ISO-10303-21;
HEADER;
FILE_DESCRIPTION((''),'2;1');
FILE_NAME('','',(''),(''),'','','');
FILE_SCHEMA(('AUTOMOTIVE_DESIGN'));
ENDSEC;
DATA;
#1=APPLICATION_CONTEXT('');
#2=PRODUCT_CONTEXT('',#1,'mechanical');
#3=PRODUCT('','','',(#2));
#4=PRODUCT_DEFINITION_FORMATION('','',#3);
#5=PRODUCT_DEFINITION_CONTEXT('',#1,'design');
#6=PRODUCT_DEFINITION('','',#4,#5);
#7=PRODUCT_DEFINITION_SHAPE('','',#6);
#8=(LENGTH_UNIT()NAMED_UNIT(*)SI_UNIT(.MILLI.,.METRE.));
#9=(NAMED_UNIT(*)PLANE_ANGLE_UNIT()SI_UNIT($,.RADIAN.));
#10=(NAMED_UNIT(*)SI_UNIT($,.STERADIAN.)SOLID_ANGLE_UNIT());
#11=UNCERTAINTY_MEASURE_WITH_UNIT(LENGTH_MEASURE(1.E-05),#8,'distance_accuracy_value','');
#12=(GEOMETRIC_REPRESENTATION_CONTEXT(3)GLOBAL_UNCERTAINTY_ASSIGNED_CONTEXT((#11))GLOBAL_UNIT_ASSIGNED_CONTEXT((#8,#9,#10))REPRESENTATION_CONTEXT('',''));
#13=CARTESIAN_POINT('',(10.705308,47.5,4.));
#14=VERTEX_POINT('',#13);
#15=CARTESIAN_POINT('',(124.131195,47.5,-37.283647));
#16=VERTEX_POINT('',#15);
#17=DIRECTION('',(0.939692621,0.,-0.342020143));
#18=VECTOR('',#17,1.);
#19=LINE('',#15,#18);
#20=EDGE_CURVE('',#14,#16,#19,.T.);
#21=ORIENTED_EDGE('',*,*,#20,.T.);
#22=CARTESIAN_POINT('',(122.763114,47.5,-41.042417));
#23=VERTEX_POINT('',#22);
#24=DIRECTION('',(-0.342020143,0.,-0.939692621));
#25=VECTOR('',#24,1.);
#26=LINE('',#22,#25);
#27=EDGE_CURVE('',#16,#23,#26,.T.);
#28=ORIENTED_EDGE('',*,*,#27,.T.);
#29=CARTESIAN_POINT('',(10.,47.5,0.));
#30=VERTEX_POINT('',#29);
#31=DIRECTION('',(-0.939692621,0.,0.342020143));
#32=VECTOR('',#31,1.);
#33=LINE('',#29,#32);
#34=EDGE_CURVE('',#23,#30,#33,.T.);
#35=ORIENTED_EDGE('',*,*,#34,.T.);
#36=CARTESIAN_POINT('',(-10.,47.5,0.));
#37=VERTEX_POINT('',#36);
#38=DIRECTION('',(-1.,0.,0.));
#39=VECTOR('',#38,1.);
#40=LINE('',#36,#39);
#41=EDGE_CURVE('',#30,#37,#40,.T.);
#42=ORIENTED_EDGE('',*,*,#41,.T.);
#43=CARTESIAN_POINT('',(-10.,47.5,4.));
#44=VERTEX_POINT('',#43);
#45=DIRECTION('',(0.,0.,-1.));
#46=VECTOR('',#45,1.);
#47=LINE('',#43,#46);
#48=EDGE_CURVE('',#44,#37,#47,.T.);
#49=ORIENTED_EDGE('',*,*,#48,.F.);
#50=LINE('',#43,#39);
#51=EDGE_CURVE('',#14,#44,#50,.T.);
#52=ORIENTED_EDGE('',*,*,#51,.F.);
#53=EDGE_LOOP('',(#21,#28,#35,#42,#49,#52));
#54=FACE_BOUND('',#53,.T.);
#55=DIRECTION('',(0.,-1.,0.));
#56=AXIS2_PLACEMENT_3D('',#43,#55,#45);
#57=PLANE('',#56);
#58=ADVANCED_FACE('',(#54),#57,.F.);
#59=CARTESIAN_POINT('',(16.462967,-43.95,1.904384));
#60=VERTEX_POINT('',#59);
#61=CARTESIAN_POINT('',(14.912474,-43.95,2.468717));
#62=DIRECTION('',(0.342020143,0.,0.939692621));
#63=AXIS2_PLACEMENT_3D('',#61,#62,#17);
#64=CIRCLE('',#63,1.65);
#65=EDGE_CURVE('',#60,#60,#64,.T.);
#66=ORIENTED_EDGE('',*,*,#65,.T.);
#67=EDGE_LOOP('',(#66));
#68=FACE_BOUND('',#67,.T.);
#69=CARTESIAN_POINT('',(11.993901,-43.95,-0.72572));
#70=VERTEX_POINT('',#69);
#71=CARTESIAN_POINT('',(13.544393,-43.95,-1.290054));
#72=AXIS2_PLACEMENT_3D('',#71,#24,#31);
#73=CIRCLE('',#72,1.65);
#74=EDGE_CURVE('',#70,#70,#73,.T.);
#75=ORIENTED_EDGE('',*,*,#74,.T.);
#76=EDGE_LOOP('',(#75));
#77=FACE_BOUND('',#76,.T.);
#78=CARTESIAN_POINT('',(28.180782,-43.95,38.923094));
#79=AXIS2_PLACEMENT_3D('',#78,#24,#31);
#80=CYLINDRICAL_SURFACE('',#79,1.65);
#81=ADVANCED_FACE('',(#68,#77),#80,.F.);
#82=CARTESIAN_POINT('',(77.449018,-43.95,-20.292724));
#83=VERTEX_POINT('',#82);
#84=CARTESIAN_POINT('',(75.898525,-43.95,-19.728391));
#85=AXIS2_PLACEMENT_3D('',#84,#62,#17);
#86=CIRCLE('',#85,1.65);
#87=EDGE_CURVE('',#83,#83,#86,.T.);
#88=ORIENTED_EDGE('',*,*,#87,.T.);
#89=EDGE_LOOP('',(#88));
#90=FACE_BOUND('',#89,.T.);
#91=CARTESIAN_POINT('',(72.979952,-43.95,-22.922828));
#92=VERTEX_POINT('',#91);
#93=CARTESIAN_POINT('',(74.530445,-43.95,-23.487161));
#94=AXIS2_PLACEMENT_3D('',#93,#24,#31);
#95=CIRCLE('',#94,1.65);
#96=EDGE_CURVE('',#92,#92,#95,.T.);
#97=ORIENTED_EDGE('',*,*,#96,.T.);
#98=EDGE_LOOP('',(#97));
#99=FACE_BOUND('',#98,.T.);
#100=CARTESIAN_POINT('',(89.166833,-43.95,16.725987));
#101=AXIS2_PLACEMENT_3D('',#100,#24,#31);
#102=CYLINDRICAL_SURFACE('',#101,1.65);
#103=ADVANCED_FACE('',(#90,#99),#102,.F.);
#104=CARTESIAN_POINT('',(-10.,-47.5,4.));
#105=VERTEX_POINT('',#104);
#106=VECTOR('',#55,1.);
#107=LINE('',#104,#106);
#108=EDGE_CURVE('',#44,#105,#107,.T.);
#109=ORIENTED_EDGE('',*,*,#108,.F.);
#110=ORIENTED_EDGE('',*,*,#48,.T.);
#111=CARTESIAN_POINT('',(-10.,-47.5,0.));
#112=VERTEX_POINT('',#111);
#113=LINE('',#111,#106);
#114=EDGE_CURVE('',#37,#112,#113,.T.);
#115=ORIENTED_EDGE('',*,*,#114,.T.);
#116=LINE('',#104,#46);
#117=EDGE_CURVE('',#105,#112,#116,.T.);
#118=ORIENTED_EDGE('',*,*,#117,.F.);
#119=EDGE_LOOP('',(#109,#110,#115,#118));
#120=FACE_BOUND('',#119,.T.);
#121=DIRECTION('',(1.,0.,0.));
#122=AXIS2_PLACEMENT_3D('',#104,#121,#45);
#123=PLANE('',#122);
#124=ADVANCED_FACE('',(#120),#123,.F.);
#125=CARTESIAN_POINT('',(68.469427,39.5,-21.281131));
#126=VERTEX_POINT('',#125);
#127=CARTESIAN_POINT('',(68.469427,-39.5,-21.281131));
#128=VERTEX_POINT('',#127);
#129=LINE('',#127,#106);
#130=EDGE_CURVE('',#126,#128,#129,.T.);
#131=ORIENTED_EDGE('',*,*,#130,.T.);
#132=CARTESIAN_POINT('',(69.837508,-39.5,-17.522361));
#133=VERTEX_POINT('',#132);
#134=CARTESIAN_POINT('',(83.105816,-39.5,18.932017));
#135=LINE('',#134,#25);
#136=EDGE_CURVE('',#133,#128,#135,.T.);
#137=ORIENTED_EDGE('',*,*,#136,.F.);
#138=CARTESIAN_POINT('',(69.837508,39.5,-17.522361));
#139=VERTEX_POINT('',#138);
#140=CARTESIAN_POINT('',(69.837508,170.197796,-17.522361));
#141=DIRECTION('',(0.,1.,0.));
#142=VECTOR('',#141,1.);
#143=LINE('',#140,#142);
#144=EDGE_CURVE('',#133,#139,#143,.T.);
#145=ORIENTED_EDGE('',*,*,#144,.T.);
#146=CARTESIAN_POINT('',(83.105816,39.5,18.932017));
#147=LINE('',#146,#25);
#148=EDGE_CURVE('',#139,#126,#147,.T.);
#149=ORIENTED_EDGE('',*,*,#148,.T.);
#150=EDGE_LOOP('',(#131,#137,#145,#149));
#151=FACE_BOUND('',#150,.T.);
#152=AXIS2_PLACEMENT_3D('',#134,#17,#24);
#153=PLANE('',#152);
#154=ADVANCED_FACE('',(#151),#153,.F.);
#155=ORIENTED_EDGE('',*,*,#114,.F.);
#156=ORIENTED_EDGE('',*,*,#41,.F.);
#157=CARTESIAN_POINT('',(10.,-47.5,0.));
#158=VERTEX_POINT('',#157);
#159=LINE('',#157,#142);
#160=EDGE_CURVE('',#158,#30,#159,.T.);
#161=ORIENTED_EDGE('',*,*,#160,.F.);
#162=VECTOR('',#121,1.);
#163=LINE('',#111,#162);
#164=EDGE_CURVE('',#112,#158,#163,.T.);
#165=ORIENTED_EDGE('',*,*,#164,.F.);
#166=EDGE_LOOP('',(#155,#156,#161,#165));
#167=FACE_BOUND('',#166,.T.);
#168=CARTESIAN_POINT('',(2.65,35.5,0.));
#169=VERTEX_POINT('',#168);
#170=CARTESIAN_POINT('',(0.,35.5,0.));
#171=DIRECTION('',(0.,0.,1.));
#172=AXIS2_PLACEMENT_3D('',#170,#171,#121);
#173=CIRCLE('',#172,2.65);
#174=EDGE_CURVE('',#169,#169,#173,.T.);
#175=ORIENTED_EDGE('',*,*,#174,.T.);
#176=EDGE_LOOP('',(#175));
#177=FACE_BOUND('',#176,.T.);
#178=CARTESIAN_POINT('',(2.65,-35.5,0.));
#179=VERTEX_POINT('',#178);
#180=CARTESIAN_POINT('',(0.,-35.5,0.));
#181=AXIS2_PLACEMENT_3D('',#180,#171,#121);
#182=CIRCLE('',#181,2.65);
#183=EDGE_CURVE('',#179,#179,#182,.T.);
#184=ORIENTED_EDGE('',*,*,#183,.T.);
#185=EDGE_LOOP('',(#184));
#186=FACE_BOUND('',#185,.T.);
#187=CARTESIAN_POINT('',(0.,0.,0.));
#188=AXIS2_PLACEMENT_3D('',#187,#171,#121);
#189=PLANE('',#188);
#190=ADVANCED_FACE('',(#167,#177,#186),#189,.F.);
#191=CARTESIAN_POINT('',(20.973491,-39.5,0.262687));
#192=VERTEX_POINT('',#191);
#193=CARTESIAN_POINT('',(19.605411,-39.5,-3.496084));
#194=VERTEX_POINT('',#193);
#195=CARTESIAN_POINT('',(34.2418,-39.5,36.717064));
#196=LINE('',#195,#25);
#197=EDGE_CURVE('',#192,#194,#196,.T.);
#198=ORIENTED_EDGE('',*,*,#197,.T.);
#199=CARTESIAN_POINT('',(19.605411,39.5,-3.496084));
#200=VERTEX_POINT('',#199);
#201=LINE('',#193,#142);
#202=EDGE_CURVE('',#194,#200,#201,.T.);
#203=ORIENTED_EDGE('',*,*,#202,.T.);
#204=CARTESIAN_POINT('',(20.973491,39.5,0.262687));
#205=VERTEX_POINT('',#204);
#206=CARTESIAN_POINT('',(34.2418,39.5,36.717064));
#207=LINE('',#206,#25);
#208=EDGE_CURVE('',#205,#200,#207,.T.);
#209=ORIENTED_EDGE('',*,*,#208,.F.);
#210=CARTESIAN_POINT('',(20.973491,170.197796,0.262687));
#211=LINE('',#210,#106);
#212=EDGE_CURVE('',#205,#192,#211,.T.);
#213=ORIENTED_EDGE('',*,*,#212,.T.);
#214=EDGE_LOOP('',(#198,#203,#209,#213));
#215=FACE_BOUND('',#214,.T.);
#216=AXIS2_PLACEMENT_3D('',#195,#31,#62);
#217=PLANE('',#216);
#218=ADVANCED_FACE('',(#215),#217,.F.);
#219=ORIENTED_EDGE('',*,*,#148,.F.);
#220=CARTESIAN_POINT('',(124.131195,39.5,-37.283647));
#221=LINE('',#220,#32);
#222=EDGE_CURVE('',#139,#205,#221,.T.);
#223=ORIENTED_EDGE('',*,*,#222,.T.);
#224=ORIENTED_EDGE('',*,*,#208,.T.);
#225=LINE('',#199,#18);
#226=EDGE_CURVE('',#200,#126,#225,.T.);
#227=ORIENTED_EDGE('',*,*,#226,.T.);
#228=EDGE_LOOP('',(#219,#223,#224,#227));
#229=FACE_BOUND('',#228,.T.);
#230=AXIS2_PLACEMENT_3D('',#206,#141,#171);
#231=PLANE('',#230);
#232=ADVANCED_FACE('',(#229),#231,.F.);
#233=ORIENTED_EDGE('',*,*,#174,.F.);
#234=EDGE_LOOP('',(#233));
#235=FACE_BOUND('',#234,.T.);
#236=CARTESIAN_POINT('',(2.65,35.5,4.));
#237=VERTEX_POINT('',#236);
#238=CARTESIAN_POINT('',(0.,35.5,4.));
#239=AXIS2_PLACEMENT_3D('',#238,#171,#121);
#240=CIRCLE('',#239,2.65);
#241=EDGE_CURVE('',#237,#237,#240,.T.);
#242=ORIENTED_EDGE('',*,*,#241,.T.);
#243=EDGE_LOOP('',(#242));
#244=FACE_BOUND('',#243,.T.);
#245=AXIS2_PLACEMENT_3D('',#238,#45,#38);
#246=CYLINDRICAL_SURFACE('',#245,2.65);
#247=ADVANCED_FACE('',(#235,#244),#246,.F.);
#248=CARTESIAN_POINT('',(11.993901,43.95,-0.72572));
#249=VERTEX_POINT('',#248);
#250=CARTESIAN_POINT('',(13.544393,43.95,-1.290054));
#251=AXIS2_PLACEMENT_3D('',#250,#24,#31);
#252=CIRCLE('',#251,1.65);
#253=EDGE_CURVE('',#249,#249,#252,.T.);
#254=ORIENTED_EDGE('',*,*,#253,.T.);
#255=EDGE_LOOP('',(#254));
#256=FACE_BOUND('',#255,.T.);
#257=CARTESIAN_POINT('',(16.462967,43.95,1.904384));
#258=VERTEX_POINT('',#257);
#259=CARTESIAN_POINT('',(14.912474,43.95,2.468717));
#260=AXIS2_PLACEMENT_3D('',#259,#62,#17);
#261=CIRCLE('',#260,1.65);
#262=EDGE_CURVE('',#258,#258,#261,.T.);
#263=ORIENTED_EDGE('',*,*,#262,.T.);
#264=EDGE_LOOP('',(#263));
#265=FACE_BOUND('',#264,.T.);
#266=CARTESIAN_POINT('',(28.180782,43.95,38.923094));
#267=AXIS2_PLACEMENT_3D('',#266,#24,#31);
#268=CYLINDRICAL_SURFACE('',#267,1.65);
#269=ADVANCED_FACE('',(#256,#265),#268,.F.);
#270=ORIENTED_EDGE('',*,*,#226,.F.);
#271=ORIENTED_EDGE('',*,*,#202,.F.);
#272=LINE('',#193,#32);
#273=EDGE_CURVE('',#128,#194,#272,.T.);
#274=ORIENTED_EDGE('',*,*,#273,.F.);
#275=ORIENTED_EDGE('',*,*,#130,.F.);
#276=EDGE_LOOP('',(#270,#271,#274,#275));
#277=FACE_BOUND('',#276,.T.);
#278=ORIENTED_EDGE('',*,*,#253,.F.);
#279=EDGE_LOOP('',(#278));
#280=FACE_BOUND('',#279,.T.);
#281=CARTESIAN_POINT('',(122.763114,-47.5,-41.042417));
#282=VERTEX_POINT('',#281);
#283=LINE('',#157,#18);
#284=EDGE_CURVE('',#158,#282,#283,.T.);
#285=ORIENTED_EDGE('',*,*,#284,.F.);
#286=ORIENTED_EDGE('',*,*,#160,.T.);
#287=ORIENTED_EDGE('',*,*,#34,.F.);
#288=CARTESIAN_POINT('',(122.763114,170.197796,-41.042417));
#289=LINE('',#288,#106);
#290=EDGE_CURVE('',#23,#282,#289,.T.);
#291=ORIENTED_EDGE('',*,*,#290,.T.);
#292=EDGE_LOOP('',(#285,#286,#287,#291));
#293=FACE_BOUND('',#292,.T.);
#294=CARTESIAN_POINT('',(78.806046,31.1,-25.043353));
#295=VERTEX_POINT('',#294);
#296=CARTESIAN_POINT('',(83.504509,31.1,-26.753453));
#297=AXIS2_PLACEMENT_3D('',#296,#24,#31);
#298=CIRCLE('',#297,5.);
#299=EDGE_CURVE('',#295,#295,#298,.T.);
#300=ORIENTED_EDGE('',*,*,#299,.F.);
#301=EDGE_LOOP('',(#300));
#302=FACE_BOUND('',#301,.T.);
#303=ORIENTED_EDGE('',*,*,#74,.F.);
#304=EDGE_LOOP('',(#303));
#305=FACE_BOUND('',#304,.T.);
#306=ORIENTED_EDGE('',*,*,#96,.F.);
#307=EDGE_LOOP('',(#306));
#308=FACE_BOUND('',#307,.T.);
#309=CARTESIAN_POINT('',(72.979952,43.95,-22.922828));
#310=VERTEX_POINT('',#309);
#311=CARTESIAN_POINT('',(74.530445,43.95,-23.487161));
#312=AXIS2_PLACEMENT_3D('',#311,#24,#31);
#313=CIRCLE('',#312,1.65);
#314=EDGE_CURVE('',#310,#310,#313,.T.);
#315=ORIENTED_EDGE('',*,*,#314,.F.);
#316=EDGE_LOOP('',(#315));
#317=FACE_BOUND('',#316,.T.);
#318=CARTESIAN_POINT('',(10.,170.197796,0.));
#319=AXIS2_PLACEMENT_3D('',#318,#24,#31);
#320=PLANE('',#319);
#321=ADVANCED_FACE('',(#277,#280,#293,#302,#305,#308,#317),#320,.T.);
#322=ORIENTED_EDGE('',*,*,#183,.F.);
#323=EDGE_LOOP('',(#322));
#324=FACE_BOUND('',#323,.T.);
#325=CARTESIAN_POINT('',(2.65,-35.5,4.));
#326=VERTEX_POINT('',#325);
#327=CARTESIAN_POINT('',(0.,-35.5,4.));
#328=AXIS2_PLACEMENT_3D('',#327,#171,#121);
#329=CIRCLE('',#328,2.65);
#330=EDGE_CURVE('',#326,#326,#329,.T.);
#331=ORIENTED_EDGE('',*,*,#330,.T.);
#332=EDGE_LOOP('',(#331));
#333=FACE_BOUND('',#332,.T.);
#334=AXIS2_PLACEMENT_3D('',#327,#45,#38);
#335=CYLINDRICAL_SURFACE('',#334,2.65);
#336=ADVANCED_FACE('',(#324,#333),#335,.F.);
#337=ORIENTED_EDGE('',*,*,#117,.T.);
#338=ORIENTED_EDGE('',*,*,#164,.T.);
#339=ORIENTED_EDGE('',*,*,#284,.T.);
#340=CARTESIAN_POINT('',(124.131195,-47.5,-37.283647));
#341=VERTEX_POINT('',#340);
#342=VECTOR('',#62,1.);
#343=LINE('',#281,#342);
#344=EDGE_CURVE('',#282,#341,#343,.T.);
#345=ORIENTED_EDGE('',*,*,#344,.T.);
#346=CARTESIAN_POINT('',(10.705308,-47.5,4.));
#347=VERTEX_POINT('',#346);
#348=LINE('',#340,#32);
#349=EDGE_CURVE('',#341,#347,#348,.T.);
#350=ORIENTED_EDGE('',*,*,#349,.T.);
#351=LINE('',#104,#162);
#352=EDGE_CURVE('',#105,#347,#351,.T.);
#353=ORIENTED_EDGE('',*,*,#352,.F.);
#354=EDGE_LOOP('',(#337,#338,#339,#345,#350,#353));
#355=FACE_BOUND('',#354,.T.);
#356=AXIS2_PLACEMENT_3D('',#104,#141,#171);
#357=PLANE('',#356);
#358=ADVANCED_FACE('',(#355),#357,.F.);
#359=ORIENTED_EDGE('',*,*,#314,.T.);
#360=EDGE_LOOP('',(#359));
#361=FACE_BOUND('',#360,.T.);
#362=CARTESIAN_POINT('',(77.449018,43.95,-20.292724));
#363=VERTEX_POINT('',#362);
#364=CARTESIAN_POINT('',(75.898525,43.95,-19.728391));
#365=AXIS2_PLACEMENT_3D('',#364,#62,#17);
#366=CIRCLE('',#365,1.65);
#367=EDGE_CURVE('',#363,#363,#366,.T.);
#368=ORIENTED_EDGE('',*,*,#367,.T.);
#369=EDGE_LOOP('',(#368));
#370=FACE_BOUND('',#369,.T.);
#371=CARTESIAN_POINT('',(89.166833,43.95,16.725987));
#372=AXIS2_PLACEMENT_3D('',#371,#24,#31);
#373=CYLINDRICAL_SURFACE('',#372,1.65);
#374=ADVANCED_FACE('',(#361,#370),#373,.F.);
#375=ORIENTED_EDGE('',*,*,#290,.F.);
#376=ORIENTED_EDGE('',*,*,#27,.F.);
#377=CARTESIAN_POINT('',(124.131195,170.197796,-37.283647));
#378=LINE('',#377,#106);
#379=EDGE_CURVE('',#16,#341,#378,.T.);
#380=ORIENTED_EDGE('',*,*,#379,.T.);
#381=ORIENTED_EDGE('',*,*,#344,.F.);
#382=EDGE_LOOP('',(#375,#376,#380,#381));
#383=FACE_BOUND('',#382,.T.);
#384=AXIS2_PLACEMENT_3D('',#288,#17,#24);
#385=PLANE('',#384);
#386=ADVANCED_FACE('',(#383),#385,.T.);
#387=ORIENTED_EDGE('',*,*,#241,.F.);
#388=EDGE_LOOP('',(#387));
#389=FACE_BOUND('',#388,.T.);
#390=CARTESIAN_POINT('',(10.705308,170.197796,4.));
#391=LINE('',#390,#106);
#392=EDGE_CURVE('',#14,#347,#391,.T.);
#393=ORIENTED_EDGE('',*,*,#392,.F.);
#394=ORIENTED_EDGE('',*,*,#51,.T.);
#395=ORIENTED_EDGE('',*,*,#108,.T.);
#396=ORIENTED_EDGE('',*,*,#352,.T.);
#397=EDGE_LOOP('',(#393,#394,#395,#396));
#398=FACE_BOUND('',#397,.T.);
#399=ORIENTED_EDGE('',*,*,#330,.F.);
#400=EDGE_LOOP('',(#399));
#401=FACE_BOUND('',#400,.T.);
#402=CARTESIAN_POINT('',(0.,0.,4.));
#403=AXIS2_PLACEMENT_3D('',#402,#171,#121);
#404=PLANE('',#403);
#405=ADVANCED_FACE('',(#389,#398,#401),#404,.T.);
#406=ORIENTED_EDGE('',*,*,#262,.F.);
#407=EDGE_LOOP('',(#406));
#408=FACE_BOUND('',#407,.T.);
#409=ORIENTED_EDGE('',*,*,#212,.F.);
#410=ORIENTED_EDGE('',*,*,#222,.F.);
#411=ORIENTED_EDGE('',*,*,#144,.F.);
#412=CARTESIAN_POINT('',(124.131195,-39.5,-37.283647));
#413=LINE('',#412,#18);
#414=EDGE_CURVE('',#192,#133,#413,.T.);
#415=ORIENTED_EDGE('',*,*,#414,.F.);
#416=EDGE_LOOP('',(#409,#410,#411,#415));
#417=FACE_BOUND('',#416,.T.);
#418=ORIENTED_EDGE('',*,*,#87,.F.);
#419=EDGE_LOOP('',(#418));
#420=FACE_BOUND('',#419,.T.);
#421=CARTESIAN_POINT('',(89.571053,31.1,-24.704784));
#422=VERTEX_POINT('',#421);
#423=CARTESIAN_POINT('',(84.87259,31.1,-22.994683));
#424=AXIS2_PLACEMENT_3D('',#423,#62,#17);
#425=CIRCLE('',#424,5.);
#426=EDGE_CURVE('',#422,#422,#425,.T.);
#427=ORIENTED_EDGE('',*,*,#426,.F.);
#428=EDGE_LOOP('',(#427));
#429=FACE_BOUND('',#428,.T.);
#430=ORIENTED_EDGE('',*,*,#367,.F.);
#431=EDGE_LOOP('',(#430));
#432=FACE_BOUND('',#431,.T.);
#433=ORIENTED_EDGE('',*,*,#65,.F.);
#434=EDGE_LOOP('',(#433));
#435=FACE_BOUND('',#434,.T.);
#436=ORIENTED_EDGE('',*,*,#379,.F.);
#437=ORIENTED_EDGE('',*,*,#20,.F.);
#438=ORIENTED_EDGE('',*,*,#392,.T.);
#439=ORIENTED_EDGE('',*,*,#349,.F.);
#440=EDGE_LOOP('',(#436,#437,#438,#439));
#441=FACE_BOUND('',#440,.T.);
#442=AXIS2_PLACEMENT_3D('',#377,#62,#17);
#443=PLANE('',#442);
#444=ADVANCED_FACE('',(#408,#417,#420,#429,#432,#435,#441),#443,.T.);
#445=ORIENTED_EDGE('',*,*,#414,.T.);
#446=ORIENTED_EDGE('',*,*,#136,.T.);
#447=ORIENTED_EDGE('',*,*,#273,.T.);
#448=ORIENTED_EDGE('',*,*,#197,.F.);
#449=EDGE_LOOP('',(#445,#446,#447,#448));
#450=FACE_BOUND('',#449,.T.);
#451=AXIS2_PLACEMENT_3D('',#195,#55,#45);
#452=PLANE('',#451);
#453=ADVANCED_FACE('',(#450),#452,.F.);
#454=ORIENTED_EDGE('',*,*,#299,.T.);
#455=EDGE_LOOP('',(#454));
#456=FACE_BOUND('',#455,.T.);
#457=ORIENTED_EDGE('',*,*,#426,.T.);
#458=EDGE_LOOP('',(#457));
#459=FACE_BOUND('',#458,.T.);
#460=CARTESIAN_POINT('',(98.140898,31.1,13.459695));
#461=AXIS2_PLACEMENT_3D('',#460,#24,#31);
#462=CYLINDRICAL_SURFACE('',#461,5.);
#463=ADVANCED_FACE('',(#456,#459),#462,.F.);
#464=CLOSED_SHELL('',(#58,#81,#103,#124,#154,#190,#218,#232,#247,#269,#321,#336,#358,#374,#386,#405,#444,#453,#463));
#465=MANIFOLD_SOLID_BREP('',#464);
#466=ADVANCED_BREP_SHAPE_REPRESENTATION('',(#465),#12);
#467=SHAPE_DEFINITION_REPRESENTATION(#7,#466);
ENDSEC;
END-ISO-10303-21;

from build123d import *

# Parameters (mm, degrees)
SKETCH1_W           = 95
SKETCH1_H           = 20
SKETCH1_R           = 2.65
BOSS_EXTRUDE1_DEPTH = 4
BOSS_EXTRUDE2_DEPTH = 95
SKETCH3_R           = 1.65
SKETCH3_R_2         = 5
SKETCH3_W           = 79
SKETCH3_H           = 52
CUT_EXTRUDE1_DEPTH  = 140.048139578


with BuildPart() as part:
    # Sketch1 → Boss-Extrude1 (new body)
    with BuildSketch(Plane(origin=(0, 0, 0), x_dir=(0, 1, 0), z_dir=(0, 0, 1))):
        Rectangle(SKETCH1_W, SKETCH1_H)
        with Locations(Location((35.5, 0, 0), (0, 0, 270))):
            Circle(SKETCH1_R, mode=Mode.SUBTRACT)
        with Locations(Location((-35.5, 0, 0), (0, 0, 270))):
            Circle(SKETCH1_R, mode=Mode.SUBTRACT)
    extrude(amount=BOSS_EXTRUDE1_DEPTH)

    # Sketch2 → Boss-Extrude2 (add)
    with BuildSketch(Plane.XZ.offset(47.5)):
        Polygon((10, 0), (122.763114494, -41.042417199), (124.131195068, -37.283646716), (10.705307923, 4), (10, 4), align=None)
    extrude(amount=-BOSS_EXTRUDE2_DEPTH)

    # Sketch3 → Cut-Extrude1 (cut, through all)
    with BuildSketch(Plane(origin=(1.169777784, 0, 3.213938048), x_dir=(0, -1, 0), z_dir=(-0.34202014332566977, 0, -0.9396926207859081))):
        with Locations(Location((43.95, -13.168790985, 0), (0, 0, 90))):
            Circle(SKETCH3_R)
        with Locations(Location((43.95, -78.068790985, 0), (0, 0, 90))):
            Circle(SKETCH3_R)
        with Locations(Location((-43.95, -78.068790985, 0), (0, 0, 90))):
            Circle(SKETCH3_R)
        with Locations(Location((-43.95, -13.168790985, 0), (0, 0, 90))):
            Circle(SKETCH3_R)
        with Locations(Location((-31.1, -87.618790985, 0), (0, 0, 90))):
            Circle(SKETCH3_R_2)
        with Locations((0, -45.618790985)):
            Rectangle(SKETCH3_W, SKETCH3_H)
    extrude(amount=-CUT_EXTRUDE1_DEPTH, mode=Mode.SUBTRACT)


solid = part.part
